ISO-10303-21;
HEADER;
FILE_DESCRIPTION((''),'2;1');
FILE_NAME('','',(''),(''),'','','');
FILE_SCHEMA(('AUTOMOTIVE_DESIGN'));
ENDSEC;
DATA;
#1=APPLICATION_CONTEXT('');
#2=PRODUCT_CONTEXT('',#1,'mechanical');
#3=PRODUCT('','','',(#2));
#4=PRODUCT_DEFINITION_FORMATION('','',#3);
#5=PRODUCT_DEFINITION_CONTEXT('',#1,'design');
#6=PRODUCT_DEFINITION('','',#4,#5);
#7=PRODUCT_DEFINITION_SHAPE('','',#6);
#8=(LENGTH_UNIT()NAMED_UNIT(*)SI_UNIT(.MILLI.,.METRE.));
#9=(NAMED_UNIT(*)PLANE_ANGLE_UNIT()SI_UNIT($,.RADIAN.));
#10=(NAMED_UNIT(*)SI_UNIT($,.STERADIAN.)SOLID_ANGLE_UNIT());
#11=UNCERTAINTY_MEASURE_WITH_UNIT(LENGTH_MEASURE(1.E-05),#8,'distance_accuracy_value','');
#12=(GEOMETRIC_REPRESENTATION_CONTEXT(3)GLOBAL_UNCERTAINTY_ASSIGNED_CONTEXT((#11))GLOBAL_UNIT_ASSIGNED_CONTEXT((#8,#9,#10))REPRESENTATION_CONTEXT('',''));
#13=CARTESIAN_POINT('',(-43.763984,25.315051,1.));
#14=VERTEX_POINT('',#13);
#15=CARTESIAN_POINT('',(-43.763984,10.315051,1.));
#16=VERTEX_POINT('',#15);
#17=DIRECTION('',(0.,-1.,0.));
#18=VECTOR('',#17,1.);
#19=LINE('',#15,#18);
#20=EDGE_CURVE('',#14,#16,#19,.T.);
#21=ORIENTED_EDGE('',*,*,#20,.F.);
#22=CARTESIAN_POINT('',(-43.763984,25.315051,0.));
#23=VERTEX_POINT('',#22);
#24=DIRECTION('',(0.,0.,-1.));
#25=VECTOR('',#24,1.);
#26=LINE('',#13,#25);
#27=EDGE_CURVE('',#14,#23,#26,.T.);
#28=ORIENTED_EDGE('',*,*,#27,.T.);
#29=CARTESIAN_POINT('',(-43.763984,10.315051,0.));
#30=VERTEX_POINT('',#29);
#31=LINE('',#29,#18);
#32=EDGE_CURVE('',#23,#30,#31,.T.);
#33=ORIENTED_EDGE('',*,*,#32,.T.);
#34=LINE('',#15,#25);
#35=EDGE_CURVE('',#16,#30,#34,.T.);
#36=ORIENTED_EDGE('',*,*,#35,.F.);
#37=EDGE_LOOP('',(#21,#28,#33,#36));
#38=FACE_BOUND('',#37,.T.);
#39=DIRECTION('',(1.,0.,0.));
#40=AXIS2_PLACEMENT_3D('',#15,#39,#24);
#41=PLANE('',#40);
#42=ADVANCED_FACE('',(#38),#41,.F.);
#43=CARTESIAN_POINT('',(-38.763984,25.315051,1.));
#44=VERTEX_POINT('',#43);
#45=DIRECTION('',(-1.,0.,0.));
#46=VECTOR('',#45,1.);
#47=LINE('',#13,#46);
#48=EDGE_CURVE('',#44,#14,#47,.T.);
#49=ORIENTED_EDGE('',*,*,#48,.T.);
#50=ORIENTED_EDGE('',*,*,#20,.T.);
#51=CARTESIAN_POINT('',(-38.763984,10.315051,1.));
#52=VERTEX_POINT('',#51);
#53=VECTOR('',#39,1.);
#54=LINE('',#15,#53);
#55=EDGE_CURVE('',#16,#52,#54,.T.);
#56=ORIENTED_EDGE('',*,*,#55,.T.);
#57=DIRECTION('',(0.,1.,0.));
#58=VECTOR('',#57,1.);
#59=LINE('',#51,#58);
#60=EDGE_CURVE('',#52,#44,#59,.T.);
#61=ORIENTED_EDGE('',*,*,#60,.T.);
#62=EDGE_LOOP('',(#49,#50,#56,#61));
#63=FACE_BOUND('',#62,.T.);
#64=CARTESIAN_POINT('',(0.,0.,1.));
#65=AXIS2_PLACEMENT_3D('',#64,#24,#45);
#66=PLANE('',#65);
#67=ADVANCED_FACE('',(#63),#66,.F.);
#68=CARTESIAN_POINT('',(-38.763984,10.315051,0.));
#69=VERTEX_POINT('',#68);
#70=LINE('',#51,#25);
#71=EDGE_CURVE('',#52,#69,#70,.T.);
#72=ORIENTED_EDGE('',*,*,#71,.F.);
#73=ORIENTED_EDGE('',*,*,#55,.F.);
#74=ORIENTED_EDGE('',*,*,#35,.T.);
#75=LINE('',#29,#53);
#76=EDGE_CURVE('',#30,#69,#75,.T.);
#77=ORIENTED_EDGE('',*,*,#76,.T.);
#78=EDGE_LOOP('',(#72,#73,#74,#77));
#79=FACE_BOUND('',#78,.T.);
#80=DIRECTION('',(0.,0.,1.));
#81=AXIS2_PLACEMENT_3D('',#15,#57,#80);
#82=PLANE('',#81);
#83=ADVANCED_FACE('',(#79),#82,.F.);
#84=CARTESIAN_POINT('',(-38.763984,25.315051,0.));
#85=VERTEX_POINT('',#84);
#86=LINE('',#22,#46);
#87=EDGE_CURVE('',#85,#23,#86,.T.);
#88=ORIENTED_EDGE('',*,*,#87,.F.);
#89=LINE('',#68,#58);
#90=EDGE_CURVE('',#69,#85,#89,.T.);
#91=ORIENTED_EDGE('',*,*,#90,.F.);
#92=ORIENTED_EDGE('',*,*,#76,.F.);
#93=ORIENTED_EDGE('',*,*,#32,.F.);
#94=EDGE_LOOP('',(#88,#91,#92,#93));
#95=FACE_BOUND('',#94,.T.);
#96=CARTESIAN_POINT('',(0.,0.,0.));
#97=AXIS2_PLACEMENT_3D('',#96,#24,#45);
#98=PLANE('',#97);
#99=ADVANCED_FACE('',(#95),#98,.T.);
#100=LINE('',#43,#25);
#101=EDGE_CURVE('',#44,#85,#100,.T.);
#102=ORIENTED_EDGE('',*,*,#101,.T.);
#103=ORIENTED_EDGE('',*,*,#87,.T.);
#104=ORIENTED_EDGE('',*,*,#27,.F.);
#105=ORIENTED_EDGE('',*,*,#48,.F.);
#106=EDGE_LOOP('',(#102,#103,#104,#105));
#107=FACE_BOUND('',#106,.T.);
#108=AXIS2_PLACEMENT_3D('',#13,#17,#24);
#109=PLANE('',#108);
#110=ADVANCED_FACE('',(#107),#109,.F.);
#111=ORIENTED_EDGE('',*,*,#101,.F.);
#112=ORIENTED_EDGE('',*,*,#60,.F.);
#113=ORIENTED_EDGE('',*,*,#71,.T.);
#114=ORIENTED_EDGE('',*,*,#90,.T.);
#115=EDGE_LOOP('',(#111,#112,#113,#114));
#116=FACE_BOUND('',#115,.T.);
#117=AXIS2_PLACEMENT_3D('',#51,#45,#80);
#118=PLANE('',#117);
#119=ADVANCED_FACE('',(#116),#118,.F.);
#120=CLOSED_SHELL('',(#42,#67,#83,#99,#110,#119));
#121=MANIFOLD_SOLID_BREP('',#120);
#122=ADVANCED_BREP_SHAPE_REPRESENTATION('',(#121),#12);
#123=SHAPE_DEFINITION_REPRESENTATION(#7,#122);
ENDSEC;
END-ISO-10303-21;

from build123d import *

# Parameters (mm, degrees)
CROQUIS1_W              = 5
CROQUIS1_H              = 15
SALIENTE_EXTRUIR1_DEPTH = 1


with BuildPart() as part:
    # Croquis1 → Saliente-Extruir1 (new body)
    with BuildSketch(Plane.XY):
        with Locations((-41.263983636, 17.815050794)):
            Rectangle(CROQUIS1_W, CROQUIS1_H)
    extrude(amount=SALIENTE_EXTRUIR1_DEPTH)


solid = part.part
